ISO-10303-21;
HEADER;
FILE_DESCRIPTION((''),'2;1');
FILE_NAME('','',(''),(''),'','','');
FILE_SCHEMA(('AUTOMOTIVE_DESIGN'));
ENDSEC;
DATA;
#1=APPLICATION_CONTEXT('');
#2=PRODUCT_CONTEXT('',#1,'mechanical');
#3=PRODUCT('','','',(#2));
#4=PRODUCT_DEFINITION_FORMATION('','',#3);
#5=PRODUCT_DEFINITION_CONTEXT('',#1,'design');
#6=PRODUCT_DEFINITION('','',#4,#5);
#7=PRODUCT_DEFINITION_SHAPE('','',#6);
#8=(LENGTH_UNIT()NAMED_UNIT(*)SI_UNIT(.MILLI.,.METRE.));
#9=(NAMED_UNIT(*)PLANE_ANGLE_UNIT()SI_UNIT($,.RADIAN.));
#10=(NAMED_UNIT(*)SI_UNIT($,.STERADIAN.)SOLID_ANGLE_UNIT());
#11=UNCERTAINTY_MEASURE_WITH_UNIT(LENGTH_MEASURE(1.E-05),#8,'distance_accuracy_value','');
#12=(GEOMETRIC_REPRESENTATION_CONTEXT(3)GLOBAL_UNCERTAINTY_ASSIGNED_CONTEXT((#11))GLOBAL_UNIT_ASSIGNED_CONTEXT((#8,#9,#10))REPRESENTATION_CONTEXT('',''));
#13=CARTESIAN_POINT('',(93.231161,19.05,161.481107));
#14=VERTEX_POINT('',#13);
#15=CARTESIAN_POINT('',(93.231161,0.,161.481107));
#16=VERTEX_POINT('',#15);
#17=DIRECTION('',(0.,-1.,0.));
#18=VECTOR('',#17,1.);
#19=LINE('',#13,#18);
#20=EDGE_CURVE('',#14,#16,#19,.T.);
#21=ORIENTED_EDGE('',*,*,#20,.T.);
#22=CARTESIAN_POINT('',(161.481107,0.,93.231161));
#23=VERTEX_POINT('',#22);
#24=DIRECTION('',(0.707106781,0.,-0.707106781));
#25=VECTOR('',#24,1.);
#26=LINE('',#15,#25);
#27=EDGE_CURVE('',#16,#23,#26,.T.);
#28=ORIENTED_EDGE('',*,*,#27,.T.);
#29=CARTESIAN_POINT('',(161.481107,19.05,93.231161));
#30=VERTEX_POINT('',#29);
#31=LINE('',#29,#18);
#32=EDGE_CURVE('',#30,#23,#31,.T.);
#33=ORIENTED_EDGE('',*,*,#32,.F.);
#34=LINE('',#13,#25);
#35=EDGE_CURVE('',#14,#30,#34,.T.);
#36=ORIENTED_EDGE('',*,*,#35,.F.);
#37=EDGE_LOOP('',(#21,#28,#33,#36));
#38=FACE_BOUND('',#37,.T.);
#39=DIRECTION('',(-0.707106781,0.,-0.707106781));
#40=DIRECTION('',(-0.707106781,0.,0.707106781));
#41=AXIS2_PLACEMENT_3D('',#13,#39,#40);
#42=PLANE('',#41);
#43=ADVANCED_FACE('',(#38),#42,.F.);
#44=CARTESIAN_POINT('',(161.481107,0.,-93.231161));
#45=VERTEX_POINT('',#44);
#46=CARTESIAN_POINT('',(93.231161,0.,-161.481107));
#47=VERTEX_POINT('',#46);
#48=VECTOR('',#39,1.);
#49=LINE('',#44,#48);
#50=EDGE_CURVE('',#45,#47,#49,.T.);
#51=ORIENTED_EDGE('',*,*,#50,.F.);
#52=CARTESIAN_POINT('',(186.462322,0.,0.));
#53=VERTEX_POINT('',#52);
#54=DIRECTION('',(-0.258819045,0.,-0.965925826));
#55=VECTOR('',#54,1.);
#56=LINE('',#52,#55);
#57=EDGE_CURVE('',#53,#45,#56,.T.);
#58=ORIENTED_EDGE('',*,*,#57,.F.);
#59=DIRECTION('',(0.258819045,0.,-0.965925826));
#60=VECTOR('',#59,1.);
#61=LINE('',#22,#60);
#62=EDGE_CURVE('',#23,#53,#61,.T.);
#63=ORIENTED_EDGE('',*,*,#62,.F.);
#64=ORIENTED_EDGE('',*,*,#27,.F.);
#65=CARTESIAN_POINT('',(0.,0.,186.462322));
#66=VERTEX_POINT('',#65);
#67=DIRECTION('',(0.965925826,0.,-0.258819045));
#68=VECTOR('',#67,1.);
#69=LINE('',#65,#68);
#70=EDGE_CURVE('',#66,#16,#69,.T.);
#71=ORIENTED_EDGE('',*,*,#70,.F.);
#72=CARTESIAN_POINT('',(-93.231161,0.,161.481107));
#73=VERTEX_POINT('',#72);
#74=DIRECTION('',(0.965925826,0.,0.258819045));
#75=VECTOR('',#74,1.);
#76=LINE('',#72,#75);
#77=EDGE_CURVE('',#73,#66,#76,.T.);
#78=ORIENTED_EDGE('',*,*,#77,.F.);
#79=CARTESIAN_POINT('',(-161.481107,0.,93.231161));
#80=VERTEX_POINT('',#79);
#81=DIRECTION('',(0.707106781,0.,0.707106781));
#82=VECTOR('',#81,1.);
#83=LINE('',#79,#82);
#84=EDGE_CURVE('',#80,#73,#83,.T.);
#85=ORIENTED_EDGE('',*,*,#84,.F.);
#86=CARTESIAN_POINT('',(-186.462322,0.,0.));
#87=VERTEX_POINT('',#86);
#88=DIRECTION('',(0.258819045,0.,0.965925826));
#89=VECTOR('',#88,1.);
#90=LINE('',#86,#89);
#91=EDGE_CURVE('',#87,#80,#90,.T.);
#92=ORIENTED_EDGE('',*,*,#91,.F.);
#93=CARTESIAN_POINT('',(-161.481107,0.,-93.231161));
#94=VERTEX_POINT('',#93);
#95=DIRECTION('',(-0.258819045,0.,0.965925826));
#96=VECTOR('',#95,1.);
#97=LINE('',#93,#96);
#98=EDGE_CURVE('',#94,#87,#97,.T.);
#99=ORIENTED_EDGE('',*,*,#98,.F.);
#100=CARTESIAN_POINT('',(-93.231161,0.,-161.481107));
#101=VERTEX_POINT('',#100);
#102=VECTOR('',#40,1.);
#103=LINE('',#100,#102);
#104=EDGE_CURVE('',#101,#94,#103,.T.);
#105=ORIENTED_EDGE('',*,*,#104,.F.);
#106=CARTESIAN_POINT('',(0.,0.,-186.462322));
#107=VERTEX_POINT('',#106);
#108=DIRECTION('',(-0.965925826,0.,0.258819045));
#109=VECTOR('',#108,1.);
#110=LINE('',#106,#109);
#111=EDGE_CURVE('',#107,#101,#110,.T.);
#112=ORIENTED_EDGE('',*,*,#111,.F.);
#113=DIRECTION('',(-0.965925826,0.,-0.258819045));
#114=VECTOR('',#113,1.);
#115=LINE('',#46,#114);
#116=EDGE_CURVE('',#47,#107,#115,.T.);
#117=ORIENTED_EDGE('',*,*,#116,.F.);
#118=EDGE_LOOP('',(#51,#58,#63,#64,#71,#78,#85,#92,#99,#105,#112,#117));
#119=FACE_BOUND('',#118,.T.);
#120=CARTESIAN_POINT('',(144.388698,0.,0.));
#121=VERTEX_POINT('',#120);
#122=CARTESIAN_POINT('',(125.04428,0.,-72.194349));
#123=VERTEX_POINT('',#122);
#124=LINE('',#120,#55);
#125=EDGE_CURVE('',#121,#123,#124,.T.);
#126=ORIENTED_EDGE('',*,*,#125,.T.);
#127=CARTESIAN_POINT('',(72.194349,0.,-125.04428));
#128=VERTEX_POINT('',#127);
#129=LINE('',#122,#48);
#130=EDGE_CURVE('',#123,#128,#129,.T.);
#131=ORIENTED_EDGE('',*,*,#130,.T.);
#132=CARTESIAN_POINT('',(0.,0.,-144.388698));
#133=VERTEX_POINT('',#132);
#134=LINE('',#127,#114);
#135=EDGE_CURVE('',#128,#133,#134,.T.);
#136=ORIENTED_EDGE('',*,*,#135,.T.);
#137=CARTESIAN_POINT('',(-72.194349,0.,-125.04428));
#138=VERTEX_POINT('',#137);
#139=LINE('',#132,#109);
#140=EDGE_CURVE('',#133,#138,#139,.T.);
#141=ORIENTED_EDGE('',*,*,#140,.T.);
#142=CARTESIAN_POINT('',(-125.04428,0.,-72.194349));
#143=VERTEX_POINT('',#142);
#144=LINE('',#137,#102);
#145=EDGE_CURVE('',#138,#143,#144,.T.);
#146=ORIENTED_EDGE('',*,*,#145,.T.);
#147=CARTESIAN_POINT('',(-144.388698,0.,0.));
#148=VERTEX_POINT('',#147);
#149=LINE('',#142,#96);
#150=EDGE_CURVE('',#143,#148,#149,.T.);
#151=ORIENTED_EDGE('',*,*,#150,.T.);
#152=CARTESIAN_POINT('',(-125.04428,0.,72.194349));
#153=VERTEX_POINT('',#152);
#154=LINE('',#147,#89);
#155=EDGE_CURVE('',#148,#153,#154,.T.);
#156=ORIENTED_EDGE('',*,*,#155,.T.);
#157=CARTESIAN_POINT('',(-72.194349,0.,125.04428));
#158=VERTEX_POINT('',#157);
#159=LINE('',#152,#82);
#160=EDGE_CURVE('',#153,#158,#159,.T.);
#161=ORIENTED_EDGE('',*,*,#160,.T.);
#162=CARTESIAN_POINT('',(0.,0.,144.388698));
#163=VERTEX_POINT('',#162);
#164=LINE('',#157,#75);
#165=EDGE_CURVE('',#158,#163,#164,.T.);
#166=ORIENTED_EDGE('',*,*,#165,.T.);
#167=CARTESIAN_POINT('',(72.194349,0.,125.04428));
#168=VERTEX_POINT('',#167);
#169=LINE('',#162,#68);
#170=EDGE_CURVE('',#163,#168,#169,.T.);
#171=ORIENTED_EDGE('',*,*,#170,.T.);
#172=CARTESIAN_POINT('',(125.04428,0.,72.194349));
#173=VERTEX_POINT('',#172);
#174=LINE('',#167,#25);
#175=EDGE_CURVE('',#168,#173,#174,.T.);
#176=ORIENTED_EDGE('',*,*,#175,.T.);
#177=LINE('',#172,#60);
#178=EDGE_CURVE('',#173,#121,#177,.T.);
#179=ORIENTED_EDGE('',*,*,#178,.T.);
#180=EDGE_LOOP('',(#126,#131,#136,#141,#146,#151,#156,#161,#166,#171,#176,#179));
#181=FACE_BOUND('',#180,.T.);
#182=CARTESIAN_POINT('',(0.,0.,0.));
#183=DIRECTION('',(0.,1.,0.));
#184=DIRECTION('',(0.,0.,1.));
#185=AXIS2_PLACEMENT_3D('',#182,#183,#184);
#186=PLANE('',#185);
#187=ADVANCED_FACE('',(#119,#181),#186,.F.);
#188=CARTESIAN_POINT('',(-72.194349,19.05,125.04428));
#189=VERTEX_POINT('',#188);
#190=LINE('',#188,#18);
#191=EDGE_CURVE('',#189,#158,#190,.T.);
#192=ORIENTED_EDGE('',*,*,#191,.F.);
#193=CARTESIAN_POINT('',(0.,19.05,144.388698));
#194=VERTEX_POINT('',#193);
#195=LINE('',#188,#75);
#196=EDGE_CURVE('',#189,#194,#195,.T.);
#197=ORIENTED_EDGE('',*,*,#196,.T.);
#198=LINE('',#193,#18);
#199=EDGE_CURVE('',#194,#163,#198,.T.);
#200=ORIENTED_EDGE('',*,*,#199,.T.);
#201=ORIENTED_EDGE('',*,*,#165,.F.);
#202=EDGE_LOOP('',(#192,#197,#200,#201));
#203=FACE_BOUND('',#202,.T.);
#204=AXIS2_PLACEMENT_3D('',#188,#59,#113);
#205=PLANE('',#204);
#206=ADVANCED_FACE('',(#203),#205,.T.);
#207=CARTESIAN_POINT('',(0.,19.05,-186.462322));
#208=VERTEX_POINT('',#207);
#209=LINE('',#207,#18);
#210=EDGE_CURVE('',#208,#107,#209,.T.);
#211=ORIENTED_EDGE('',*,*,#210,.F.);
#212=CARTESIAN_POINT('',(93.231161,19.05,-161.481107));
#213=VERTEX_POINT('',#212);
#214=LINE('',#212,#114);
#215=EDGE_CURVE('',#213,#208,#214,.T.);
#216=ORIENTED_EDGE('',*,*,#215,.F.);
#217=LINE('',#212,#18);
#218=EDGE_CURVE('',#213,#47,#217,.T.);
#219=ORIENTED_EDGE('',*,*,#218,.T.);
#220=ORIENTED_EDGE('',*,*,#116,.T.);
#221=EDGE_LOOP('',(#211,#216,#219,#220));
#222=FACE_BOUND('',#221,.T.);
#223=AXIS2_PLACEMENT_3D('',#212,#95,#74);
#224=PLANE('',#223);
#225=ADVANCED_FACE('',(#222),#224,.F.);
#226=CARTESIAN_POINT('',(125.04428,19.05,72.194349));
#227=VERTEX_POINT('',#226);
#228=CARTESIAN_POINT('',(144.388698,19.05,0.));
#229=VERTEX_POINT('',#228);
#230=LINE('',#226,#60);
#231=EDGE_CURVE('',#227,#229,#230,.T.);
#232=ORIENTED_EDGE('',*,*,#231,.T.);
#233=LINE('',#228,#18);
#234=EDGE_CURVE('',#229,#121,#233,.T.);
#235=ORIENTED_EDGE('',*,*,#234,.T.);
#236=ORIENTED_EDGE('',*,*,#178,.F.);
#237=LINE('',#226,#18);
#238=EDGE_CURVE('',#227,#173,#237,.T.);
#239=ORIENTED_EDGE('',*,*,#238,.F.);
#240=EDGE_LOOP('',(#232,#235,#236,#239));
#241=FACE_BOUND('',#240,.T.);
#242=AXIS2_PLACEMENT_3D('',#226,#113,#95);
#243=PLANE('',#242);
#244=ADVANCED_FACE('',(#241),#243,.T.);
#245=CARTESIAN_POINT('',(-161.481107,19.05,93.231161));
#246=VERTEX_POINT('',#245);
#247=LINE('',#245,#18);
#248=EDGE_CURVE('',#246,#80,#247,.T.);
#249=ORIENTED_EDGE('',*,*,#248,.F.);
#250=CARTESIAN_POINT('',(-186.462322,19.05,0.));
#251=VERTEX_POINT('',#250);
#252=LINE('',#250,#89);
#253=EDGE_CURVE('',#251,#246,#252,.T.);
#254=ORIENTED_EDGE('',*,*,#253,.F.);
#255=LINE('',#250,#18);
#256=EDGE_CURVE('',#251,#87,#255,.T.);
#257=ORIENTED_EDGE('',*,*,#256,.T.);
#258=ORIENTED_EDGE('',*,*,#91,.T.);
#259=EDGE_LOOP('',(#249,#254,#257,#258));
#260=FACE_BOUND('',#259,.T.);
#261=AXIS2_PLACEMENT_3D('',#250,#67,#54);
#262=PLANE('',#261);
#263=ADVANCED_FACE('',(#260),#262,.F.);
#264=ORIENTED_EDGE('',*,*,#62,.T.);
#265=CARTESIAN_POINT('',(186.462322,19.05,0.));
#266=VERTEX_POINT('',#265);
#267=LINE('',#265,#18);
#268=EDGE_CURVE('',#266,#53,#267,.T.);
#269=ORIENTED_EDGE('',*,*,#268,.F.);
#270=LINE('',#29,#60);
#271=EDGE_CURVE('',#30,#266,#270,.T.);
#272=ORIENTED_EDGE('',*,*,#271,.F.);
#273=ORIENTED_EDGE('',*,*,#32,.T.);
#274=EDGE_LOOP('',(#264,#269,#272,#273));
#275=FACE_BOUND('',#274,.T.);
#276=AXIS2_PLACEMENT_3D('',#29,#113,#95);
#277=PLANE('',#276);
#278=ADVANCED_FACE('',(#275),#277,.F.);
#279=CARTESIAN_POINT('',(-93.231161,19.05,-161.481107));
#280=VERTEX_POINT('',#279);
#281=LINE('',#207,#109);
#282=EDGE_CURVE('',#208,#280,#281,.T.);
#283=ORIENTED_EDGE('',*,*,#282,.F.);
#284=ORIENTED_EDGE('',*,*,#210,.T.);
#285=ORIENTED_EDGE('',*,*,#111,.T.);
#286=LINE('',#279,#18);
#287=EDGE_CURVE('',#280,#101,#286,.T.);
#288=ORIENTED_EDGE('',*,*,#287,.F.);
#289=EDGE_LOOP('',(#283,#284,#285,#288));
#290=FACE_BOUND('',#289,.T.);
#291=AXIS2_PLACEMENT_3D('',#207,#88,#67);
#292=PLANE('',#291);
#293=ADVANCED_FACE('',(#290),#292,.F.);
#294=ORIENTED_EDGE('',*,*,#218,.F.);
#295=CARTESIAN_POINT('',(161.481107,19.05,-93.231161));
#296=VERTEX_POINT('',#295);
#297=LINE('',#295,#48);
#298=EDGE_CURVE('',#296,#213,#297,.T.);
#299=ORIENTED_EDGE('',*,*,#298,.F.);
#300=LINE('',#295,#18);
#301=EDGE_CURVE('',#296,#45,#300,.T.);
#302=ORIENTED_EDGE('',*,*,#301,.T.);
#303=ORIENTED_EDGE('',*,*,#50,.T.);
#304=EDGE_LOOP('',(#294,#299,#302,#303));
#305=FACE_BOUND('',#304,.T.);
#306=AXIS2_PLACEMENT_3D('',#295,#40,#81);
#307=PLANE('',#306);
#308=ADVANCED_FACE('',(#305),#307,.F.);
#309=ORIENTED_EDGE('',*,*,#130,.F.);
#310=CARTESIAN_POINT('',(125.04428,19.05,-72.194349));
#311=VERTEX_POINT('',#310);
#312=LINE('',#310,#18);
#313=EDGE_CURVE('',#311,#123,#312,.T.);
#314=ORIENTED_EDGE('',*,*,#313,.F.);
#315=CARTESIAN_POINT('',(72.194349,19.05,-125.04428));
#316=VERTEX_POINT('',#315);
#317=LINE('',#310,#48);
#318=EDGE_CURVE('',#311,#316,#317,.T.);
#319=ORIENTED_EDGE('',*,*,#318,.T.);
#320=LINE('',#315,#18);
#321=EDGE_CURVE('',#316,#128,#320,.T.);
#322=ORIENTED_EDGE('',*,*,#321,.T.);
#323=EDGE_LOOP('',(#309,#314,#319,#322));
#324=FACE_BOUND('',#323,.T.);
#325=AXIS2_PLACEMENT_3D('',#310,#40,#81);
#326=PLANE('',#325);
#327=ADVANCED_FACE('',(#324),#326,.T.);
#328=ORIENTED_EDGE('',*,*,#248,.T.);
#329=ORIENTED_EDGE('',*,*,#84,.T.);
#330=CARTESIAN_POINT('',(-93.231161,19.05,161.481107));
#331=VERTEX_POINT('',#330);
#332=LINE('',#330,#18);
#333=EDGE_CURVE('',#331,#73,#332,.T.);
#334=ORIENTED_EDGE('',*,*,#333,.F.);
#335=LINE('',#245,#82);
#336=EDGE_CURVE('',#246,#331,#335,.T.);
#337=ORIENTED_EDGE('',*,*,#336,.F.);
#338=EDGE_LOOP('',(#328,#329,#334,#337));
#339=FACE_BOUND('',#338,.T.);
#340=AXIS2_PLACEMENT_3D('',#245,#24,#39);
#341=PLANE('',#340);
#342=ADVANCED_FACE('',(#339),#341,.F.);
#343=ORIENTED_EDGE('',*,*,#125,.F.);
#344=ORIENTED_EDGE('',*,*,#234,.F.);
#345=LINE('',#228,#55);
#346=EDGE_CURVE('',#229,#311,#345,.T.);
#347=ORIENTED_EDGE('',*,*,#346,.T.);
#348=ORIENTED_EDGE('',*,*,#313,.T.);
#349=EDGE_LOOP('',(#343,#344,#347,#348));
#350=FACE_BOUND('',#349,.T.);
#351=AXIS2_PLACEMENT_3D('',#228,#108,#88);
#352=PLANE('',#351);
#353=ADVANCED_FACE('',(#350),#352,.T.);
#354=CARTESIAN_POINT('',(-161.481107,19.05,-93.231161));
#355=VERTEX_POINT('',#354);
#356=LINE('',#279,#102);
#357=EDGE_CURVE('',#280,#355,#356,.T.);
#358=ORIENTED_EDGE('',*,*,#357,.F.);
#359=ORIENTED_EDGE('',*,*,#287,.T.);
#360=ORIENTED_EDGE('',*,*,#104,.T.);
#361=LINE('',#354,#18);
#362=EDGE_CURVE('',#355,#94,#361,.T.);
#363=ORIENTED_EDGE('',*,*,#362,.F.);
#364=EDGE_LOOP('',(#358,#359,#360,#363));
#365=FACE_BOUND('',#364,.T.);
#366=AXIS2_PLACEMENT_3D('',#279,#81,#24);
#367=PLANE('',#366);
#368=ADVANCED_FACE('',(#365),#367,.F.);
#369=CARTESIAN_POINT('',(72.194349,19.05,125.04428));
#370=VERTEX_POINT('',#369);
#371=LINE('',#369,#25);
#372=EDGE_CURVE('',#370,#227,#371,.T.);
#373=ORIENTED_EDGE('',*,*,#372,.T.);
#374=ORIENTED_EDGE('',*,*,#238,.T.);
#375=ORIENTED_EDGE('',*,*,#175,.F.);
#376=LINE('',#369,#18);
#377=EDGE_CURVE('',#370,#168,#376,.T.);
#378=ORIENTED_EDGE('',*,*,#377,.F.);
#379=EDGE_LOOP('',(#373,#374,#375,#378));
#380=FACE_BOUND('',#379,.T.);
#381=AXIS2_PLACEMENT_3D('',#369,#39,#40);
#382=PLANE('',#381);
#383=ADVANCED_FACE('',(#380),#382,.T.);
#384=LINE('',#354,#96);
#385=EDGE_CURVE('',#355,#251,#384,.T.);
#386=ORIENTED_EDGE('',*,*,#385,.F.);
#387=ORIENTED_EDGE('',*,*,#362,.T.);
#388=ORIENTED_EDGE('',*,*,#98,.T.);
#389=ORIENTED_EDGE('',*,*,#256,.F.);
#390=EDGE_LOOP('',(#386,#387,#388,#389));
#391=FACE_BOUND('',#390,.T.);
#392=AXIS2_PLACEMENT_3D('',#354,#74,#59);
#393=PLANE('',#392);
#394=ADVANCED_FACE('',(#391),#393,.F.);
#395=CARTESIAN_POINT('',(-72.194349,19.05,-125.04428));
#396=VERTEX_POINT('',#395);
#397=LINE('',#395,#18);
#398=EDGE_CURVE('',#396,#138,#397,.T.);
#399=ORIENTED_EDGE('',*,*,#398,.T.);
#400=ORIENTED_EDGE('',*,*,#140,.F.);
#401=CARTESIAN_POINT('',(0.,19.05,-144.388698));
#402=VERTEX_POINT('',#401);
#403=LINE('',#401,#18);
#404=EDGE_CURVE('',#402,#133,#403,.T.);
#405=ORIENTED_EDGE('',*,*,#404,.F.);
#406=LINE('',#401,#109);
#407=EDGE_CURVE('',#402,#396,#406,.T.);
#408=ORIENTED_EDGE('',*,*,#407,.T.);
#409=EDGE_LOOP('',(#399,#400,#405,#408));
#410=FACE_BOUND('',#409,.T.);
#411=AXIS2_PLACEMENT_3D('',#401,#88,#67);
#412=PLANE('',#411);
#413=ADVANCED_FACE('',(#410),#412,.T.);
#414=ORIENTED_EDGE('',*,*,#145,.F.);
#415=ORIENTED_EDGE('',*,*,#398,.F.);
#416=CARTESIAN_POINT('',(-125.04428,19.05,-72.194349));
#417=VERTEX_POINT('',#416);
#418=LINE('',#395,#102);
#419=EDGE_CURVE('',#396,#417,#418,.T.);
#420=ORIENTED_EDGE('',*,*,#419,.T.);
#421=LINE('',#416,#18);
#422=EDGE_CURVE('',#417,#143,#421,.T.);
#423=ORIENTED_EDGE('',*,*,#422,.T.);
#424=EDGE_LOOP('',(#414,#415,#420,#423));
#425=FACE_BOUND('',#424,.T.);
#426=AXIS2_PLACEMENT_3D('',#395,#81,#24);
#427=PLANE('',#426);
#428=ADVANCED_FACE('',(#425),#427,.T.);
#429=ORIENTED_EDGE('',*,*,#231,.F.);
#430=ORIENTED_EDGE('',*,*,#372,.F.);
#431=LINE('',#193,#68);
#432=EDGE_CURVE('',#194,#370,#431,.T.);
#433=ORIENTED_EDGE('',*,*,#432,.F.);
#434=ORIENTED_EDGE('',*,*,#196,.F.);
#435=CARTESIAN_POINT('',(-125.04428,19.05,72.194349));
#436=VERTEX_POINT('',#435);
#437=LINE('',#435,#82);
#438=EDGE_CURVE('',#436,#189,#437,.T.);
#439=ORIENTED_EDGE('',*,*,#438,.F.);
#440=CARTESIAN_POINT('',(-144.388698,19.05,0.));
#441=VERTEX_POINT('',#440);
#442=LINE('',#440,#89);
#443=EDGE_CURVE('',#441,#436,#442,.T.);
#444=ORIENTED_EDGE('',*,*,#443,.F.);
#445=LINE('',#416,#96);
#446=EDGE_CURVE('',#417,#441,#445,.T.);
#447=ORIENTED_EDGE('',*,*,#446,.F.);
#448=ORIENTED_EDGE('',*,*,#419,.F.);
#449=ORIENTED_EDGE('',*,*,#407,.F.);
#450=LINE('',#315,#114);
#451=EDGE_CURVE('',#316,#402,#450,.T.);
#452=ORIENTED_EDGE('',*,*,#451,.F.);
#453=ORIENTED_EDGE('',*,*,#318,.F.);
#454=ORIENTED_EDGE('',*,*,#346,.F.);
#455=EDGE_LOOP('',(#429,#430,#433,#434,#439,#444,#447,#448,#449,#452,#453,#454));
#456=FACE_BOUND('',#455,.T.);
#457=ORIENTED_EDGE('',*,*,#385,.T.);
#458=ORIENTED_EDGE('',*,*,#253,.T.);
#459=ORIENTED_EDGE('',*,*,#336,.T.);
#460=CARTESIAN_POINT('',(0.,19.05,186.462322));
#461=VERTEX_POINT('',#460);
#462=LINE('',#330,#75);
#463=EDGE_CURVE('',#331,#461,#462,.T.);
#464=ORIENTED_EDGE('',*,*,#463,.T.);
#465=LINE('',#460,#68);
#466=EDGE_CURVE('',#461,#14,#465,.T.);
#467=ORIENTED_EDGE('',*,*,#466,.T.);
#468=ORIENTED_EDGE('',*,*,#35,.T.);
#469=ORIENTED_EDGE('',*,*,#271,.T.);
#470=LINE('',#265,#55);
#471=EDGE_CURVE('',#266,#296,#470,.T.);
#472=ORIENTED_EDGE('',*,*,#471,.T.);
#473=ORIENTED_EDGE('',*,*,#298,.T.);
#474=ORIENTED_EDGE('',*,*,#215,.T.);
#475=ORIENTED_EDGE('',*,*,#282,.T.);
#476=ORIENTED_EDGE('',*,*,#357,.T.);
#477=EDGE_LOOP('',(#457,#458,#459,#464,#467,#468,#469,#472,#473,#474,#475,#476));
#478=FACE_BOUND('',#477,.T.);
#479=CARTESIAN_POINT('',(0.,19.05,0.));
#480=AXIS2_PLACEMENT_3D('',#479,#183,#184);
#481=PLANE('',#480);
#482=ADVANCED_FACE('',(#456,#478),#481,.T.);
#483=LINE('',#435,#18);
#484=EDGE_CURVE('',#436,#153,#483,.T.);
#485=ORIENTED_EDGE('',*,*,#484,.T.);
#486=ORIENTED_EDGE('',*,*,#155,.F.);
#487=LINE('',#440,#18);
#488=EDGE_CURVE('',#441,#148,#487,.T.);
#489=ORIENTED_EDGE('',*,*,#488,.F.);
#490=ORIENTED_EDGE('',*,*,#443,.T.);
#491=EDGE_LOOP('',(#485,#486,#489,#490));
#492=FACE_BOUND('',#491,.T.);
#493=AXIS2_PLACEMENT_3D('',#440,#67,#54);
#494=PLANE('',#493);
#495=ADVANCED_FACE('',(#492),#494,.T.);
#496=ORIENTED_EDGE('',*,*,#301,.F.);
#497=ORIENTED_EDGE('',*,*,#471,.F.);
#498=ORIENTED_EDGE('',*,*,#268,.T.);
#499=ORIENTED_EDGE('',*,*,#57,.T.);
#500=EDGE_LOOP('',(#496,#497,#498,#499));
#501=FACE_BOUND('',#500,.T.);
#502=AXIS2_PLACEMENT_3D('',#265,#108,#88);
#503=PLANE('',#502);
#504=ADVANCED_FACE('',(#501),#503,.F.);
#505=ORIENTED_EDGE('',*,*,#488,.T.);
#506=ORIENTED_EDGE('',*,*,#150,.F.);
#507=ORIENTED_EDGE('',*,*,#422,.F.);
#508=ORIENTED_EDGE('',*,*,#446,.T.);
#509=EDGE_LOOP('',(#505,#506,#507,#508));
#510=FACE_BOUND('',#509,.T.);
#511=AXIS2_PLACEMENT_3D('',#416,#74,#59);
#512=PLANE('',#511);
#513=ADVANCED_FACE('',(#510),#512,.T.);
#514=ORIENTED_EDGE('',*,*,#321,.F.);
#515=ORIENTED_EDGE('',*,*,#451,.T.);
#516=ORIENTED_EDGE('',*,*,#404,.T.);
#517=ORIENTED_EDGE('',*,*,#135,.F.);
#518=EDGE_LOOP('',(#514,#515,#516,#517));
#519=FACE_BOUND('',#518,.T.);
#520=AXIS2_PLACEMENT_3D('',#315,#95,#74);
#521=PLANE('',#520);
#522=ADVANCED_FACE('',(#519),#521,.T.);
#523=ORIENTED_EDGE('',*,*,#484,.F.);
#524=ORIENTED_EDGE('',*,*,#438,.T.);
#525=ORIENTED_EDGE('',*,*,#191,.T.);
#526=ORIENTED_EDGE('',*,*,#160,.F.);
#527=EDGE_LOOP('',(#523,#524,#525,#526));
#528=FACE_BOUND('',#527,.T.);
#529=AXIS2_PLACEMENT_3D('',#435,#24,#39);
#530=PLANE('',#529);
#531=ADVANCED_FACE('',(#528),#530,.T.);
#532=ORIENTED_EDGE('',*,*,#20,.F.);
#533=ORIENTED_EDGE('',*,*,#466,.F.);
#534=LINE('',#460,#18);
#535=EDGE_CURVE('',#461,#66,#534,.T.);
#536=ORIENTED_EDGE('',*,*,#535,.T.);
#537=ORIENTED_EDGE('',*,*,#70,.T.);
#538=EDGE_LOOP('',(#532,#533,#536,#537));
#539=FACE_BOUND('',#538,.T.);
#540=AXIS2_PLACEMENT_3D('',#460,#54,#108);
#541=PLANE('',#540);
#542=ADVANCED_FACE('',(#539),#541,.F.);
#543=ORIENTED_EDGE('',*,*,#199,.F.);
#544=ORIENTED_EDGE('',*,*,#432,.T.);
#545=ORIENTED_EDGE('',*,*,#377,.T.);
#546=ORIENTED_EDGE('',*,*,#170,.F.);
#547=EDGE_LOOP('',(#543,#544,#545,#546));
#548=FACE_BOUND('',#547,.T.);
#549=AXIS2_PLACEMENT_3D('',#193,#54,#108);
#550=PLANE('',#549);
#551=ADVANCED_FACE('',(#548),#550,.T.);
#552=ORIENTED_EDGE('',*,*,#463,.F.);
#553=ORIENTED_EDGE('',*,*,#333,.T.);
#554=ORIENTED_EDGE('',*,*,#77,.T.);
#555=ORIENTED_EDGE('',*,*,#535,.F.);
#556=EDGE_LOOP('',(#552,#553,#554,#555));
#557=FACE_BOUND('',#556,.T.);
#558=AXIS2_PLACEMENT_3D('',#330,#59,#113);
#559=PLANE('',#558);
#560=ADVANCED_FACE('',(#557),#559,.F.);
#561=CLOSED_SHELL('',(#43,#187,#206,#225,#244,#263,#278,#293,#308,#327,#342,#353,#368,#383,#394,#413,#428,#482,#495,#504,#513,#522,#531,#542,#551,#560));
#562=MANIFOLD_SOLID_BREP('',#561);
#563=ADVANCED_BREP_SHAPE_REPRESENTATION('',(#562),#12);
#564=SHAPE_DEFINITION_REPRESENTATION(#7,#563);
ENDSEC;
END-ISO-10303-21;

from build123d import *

# Parameters (mm, degrees)
BOSS_EXTRUDE2_DEPTH = 19.05


with BuildPart() as part:
    # Sketch2 → Boss-Extrude2 (new body)
    with BuildSketch(Plane(origin=(0, 0, 0), x_dir=(1, 0, 0), z_dir=(0, 1, 0))):
        Polygon((186.462321507, 0), (161.481107274, 93.231160753), (93.231160753, 161.481107274), (0, 186.462321507), (-93.231160753, 161.481107274), (-161.481107274, 93.231160753), (-186.462321507, 0), (-161.481107274, -93.231160753), (-93.231160753, -161.481107274), (0, -186.462321507), (93.231160753, -161.481107274), (161.481107274, -93.231160753), align=None)
        Polygon((144.388697535, 0), (125.044280085, 72.194348767), (72.194348767, 125.044280085), (0, 144.388697535), (-72.194348767, 125.044280085), (-125.044280085, 72.194348767), (-144.388697535, 0), (-125.044280085, -72.194348767), (-72.194348767, -125.044280085), (0, -144.388697535), (72.194348767, -125.044280085), (125.044280085, -72.194348767), align=None, mode=Mode.SUBTRACT)
    extrude(amount=BOSS_EXTRUDE2_DEPTH)


solid = part.part
